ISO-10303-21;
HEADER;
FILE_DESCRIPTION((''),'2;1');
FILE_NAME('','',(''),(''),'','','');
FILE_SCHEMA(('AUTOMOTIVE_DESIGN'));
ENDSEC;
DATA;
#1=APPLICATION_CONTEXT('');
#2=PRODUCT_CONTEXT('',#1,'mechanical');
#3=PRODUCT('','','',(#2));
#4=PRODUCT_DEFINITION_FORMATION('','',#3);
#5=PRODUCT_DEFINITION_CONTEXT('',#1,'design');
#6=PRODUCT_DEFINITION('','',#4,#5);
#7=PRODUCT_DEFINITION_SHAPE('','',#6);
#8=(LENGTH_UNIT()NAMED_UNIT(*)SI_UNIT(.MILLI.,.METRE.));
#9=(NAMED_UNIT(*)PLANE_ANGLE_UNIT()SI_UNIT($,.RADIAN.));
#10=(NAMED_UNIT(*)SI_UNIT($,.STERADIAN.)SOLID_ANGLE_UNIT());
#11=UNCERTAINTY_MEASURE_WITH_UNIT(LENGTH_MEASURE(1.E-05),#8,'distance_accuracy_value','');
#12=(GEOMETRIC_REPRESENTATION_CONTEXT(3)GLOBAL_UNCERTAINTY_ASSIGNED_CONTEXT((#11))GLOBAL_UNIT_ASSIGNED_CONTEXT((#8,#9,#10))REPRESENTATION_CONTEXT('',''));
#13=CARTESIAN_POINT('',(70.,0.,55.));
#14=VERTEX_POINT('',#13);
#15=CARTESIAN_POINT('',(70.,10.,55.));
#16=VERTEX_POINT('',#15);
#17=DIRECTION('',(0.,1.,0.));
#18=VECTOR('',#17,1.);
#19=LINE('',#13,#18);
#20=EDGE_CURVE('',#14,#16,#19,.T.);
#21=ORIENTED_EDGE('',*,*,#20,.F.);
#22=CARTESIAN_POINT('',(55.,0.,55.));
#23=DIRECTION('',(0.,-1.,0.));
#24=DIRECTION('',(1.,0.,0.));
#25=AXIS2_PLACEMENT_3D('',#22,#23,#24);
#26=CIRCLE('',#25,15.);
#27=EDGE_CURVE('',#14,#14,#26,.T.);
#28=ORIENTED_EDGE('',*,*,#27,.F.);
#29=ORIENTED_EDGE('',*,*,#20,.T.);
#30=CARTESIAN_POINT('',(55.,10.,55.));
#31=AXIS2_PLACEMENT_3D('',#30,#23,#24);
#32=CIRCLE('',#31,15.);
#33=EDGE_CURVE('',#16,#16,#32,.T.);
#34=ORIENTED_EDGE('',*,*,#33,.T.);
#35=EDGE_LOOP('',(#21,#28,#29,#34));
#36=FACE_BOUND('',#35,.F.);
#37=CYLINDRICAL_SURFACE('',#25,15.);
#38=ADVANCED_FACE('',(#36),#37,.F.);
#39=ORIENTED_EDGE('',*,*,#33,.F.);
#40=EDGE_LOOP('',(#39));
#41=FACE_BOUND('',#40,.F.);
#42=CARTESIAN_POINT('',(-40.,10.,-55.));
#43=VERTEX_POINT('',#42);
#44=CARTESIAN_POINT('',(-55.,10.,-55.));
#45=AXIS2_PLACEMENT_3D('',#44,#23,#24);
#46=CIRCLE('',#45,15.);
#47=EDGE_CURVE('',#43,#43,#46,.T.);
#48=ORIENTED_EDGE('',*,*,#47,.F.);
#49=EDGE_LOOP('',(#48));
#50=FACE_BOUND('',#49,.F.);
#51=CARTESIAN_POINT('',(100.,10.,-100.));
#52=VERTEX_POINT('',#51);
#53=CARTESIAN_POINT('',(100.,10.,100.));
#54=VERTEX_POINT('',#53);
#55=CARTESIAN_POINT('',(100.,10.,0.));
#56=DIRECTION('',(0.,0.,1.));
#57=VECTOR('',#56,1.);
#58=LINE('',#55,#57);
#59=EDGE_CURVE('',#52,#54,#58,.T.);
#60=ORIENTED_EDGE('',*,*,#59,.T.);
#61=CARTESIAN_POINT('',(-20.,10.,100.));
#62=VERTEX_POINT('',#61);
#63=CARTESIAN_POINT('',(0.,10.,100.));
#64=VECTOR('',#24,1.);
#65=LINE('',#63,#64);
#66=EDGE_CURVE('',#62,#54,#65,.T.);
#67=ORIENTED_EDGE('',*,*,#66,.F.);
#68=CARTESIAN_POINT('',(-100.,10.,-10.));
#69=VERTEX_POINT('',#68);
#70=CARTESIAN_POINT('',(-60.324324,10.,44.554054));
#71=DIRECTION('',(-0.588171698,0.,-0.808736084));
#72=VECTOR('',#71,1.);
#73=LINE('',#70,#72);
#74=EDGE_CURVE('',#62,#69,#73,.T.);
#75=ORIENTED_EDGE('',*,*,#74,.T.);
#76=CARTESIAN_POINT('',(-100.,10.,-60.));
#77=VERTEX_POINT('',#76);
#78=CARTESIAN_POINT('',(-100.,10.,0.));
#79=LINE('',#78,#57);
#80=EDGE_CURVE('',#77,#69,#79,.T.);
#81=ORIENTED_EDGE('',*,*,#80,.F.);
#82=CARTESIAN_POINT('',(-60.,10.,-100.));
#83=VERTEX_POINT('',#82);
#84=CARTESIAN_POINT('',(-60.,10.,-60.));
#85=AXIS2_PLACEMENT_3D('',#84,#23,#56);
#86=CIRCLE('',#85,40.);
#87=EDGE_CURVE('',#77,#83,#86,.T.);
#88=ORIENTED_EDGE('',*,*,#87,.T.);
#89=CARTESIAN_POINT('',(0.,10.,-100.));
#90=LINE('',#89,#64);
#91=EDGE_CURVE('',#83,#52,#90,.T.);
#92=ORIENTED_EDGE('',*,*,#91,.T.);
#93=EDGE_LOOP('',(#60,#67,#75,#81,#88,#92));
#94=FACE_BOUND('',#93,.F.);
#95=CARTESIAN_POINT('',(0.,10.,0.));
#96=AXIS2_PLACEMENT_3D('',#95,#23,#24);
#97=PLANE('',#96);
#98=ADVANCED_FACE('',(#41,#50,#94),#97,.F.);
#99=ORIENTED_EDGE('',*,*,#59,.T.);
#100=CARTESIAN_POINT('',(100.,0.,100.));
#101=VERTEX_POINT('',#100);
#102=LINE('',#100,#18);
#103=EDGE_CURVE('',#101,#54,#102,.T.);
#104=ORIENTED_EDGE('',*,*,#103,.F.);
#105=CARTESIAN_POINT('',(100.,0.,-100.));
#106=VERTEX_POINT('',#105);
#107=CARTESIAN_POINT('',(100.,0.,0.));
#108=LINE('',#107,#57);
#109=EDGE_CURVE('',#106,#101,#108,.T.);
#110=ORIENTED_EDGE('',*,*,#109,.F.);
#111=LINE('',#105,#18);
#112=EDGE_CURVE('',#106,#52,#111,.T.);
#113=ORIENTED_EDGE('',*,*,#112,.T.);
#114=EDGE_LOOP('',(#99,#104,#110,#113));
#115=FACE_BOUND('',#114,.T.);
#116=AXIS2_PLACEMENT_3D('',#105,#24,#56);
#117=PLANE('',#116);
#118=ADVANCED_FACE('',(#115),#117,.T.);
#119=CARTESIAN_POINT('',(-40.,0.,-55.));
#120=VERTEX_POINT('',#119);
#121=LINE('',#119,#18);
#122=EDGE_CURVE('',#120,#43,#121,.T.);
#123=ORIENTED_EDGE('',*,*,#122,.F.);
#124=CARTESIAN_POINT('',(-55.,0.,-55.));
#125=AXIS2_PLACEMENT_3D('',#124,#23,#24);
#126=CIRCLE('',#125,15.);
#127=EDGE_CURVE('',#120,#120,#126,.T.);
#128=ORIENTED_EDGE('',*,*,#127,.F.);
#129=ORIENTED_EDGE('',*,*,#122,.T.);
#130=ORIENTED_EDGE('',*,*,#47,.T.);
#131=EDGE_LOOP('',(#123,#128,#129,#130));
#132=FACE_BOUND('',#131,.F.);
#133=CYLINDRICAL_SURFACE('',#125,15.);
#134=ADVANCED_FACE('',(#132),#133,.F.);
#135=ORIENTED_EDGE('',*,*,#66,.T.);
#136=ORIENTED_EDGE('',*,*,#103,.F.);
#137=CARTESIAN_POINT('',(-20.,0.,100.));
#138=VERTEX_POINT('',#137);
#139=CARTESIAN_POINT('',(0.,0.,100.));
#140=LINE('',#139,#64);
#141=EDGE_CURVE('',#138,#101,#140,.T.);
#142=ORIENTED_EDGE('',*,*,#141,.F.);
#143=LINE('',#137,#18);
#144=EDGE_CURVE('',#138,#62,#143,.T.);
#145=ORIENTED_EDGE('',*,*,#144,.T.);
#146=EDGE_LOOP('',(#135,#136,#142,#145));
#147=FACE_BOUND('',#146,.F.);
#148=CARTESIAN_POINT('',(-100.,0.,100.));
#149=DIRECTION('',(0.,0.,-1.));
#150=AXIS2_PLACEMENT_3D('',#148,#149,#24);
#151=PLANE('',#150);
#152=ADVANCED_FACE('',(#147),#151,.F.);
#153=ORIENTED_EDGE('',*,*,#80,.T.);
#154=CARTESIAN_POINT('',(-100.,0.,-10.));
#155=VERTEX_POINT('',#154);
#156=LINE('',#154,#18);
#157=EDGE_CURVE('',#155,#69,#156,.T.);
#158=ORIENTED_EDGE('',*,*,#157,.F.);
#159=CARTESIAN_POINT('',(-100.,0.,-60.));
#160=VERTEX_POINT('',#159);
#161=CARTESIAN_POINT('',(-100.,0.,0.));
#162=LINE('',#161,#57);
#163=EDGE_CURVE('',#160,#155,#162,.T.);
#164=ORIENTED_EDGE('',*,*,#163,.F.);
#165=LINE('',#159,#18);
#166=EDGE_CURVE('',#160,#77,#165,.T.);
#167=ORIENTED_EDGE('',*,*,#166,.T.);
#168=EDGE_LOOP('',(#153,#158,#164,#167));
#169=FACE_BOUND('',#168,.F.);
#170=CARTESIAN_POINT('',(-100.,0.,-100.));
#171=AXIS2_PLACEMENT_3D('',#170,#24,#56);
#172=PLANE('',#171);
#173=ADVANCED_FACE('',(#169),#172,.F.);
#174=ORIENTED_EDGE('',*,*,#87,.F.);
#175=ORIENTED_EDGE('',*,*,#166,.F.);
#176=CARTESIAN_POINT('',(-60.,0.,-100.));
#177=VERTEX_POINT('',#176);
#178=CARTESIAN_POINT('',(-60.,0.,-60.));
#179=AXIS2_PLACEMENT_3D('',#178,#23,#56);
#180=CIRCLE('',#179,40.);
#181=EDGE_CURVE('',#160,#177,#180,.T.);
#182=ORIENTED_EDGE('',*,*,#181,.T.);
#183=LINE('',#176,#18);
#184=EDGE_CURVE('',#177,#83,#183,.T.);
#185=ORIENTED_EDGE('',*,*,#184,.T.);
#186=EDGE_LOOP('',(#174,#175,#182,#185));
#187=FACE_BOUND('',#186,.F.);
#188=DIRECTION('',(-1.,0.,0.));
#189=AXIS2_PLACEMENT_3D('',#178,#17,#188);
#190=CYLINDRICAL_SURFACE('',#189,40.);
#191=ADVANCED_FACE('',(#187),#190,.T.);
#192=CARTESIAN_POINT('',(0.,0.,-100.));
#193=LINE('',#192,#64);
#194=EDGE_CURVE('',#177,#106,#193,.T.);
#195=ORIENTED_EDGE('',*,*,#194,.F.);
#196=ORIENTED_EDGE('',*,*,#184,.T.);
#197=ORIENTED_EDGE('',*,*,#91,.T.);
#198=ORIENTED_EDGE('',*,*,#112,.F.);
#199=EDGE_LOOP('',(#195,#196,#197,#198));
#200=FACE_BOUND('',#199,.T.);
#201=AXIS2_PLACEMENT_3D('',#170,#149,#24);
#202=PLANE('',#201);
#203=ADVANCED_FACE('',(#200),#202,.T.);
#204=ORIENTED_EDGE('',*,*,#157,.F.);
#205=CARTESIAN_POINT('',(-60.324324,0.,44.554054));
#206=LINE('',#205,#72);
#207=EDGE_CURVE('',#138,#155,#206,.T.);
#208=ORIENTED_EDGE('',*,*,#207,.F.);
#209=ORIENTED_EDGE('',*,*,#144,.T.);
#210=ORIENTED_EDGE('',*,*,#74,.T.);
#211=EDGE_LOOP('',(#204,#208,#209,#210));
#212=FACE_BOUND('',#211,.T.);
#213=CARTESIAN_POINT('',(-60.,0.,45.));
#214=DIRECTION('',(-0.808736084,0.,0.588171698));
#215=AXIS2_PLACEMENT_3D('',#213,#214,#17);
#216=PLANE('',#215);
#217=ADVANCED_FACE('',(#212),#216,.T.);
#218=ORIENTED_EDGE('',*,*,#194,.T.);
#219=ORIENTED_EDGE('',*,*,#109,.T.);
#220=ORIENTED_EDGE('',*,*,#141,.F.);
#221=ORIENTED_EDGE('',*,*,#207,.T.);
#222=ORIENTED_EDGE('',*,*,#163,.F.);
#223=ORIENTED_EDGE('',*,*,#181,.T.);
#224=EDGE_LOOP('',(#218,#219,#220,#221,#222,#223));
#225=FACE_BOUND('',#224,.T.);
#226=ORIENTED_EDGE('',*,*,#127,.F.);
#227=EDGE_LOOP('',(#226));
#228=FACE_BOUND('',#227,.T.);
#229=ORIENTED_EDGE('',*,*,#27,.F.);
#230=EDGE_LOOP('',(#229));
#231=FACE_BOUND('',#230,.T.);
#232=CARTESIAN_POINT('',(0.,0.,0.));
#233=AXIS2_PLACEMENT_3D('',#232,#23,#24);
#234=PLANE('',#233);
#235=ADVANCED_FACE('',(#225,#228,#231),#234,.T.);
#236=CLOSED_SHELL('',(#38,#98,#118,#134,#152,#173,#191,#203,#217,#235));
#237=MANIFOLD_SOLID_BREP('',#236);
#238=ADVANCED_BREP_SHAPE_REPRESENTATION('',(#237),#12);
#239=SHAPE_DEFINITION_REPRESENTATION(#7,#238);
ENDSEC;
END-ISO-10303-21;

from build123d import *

# Parameters (mm, degrees)
F0_W     = 200
F0_H     = 200
F1_DEPTH = 10
F3_R     = 15
F4_DEPTH = 10.001
F5_R     = 40
F6_SIZE2 = 110
F6_SIZE  = 80


with BuildPart() as f1:
    # F0 (on Front) → F1 (new body)
    with BuildSketch(Plane.XZ):
        Rectangle(F0_W, F0_H)
    extrude(amount=-F1_DEPTH)

    # F3 (on face) → F4 (cut, through all)
    with BuildSketch(Plane.XZ):
        with Locations((-55, -55)):
            Circle(F3_R)
        with Locations((55, 55)):
            Circle(F3_R)
    extrude(amount=-F4_DEPTH, mode=Mode.SUBTRACT)

    # F5
    f5_edges = [f1.edges().sort_by_distance(p)[0] for p in [
        (-100, 5, -100),
    ]]
    fillet(f5_edges, radius=F5_R)

    # F6
    f6_edges = [f1.edges().sort_by_distance(p)[0] for p in [
        (-100, 5, 100),
    ]]
    f6_side = f1.faces().sort_by_distance((0, 5, 100))[0]
    chamfer(f6_edges, length=F6_SIZE, length2=F6_SIZE2, reference=f6_side)


solid = f1.part
